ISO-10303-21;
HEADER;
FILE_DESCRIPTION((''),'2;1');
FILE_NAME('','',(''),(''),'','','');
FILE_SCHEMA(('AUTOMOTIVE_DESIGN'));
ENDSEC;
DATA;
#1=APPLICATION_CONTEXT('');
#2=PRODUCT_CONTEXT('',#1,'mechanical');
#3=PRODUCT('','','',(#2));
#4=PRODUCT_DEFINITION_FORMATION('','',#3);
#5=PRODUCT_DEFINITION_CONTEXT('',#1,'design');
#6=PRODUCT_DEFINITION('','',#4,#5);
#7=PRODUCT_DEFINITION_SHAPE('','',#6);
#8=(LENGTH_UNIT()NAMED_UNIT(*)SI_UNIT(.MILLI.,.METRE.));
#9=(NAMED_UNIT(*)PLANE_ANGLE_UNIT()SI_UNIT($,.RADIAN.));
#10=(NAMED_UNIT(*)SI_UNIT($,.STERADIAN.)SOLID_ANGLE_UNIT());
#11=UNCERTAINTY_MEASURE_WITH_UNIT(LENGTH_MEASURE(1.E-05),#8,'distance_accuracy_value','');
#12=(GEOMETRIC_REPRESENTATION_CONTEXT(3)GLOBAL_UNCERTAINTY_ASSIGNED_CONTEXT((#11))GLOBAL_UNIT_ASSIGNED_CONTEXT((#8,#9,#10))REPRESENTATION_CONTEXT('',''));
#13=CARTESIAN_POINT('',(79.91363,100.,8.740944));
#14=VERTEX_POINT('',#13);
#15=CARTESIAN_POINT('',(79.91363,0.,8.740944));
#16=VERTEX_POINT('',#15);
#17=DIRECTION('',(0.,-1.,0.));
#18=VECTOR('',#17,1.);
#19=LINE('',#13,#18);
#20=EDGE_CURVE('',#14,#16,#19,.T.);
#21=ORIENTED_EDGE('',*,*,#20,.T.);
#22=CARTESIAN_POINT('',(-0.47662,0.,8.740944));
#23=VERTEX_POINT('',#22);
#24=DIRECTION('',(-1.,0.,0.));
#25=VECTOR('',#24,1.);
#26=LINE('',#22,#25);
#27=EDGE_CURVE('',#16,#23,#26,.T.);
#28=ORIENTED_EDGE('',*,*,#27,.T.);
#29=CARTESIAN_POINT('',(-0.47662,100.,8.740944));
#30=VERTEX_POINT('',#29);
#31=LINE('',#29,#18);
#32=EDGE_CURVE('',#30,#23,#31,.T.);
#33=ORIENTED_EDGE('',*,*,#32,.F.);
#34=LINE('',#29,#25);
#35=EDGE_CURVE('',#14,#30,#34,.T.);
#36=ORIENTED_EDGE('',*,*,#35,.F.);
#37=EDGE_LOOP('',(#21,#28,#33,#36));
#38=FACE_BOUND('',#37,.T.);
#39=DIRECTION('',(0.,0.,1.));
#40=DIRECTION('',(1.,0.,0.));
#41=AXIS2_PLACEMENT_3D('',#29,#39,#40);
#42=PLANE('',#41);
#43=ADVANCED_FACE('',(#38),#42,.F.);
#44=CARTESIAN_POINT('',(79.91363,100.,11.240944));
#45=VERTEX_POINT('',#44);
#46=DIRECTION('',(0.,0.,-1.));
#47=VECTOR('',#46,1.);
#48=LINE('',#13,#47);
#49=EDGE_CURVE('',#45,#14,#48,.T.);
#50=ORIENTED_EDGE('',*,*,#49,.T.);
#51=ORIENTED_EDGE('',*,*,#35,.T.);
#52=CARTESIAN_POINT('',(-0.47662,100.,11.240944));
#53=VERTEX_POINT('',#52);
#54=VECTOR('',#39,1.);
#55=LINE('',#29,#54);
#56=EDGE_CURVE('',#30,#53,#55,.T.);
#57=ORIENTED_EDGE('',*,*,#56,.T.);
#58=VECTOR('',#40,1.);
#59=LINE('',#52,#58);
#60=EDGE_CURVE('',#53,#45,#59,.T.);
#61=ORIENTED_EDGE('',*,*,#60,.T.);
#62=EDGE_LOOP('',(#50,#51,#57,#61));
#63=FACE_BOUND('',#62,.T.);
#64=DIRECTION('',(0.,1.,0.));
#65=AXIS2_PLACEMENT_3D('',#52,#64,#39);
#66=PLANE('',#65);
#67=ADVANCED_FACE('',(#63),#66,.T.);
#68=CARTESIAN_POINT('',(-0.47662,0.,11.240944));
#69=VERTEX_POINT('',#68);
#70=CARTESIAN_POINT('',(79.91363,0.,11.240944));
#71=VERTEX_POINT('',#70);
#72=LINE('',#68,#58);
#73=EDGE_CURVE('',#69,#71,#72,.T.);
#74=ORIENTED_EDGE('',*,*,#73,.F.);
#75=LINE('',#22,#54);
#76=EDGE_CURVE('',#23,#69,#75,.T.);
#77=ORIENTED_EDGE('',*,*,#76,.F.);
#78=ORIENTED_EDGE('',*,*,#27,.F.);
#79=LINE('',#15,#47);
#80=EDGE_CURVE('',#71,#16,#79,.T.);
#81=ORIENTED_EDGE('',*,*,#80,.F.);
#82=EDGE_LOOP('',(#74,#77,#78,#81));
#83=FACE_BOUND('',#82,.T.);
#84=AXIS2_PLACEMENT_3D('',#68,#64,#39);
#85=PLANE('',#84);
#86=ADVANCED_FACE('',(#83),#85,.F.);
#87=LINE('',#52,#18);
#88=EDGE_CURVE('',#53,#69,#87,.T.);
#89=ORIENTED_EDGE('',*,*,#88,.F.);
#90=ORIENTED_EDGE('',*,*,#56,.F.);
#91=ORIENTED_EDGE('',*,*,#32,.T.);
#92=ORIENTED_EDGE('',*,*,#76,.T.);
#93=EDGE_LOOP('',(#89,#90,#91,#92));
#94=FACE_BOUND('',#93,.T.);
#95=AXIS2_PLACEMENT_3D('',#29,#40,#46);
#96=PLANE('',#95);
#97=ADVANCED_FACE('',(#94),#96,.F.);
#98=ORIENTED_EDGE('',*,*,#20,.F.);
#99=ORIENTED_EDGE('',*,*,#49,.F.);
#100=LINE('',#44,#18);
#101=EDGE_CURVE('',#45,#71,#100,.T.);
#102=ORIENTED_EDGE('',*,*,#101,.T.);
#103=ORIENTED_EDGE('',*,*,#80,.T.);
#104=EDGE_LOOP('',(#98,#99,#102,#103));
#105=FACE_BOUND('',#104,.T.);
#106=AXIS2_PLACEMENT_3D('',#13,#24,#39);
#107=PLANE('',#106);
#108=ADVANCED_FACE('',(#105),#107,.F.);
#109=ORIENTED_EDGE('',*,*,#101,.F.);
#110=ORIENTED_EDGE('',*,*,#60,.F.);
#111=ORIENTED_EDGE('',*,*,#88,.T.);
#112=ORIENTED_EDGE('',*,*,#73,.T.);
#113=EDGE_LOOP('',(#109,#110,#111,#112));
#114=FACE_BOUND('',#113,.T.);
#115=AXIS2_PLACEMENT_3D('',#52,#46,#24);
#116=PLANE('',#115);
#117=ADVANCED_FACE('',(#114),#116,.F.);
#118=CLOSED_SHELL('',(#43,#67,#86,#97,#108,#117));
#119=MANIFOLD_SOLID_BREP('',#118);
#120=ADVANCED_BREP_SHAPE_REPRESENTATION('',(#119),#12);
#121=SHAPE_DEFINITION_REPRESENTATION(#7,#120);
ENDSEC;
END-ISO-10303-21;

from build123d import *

# Parameters (mm, degrees)
SKETCH_1_W      = 80.39024994
SKETCH_1_H      = 2.5
EXTRUDE_1_DEPTH = 100


with BuildPart() as part:
    # Эскиз1 → Вытянуть1 (new body)
    with BuildSketch(Plane(origin=(0, 0, 0), x_dir=(1, 0, 0), z_dir=(0, 1, 0))):
        with Locations((39.718504585, -9.990943703)):
            Rectangle(SKETCH_1_W, SKETCH_1_H)
    extrude(amount=EXTRUDE_1_DEPTH)


solid = part.part
